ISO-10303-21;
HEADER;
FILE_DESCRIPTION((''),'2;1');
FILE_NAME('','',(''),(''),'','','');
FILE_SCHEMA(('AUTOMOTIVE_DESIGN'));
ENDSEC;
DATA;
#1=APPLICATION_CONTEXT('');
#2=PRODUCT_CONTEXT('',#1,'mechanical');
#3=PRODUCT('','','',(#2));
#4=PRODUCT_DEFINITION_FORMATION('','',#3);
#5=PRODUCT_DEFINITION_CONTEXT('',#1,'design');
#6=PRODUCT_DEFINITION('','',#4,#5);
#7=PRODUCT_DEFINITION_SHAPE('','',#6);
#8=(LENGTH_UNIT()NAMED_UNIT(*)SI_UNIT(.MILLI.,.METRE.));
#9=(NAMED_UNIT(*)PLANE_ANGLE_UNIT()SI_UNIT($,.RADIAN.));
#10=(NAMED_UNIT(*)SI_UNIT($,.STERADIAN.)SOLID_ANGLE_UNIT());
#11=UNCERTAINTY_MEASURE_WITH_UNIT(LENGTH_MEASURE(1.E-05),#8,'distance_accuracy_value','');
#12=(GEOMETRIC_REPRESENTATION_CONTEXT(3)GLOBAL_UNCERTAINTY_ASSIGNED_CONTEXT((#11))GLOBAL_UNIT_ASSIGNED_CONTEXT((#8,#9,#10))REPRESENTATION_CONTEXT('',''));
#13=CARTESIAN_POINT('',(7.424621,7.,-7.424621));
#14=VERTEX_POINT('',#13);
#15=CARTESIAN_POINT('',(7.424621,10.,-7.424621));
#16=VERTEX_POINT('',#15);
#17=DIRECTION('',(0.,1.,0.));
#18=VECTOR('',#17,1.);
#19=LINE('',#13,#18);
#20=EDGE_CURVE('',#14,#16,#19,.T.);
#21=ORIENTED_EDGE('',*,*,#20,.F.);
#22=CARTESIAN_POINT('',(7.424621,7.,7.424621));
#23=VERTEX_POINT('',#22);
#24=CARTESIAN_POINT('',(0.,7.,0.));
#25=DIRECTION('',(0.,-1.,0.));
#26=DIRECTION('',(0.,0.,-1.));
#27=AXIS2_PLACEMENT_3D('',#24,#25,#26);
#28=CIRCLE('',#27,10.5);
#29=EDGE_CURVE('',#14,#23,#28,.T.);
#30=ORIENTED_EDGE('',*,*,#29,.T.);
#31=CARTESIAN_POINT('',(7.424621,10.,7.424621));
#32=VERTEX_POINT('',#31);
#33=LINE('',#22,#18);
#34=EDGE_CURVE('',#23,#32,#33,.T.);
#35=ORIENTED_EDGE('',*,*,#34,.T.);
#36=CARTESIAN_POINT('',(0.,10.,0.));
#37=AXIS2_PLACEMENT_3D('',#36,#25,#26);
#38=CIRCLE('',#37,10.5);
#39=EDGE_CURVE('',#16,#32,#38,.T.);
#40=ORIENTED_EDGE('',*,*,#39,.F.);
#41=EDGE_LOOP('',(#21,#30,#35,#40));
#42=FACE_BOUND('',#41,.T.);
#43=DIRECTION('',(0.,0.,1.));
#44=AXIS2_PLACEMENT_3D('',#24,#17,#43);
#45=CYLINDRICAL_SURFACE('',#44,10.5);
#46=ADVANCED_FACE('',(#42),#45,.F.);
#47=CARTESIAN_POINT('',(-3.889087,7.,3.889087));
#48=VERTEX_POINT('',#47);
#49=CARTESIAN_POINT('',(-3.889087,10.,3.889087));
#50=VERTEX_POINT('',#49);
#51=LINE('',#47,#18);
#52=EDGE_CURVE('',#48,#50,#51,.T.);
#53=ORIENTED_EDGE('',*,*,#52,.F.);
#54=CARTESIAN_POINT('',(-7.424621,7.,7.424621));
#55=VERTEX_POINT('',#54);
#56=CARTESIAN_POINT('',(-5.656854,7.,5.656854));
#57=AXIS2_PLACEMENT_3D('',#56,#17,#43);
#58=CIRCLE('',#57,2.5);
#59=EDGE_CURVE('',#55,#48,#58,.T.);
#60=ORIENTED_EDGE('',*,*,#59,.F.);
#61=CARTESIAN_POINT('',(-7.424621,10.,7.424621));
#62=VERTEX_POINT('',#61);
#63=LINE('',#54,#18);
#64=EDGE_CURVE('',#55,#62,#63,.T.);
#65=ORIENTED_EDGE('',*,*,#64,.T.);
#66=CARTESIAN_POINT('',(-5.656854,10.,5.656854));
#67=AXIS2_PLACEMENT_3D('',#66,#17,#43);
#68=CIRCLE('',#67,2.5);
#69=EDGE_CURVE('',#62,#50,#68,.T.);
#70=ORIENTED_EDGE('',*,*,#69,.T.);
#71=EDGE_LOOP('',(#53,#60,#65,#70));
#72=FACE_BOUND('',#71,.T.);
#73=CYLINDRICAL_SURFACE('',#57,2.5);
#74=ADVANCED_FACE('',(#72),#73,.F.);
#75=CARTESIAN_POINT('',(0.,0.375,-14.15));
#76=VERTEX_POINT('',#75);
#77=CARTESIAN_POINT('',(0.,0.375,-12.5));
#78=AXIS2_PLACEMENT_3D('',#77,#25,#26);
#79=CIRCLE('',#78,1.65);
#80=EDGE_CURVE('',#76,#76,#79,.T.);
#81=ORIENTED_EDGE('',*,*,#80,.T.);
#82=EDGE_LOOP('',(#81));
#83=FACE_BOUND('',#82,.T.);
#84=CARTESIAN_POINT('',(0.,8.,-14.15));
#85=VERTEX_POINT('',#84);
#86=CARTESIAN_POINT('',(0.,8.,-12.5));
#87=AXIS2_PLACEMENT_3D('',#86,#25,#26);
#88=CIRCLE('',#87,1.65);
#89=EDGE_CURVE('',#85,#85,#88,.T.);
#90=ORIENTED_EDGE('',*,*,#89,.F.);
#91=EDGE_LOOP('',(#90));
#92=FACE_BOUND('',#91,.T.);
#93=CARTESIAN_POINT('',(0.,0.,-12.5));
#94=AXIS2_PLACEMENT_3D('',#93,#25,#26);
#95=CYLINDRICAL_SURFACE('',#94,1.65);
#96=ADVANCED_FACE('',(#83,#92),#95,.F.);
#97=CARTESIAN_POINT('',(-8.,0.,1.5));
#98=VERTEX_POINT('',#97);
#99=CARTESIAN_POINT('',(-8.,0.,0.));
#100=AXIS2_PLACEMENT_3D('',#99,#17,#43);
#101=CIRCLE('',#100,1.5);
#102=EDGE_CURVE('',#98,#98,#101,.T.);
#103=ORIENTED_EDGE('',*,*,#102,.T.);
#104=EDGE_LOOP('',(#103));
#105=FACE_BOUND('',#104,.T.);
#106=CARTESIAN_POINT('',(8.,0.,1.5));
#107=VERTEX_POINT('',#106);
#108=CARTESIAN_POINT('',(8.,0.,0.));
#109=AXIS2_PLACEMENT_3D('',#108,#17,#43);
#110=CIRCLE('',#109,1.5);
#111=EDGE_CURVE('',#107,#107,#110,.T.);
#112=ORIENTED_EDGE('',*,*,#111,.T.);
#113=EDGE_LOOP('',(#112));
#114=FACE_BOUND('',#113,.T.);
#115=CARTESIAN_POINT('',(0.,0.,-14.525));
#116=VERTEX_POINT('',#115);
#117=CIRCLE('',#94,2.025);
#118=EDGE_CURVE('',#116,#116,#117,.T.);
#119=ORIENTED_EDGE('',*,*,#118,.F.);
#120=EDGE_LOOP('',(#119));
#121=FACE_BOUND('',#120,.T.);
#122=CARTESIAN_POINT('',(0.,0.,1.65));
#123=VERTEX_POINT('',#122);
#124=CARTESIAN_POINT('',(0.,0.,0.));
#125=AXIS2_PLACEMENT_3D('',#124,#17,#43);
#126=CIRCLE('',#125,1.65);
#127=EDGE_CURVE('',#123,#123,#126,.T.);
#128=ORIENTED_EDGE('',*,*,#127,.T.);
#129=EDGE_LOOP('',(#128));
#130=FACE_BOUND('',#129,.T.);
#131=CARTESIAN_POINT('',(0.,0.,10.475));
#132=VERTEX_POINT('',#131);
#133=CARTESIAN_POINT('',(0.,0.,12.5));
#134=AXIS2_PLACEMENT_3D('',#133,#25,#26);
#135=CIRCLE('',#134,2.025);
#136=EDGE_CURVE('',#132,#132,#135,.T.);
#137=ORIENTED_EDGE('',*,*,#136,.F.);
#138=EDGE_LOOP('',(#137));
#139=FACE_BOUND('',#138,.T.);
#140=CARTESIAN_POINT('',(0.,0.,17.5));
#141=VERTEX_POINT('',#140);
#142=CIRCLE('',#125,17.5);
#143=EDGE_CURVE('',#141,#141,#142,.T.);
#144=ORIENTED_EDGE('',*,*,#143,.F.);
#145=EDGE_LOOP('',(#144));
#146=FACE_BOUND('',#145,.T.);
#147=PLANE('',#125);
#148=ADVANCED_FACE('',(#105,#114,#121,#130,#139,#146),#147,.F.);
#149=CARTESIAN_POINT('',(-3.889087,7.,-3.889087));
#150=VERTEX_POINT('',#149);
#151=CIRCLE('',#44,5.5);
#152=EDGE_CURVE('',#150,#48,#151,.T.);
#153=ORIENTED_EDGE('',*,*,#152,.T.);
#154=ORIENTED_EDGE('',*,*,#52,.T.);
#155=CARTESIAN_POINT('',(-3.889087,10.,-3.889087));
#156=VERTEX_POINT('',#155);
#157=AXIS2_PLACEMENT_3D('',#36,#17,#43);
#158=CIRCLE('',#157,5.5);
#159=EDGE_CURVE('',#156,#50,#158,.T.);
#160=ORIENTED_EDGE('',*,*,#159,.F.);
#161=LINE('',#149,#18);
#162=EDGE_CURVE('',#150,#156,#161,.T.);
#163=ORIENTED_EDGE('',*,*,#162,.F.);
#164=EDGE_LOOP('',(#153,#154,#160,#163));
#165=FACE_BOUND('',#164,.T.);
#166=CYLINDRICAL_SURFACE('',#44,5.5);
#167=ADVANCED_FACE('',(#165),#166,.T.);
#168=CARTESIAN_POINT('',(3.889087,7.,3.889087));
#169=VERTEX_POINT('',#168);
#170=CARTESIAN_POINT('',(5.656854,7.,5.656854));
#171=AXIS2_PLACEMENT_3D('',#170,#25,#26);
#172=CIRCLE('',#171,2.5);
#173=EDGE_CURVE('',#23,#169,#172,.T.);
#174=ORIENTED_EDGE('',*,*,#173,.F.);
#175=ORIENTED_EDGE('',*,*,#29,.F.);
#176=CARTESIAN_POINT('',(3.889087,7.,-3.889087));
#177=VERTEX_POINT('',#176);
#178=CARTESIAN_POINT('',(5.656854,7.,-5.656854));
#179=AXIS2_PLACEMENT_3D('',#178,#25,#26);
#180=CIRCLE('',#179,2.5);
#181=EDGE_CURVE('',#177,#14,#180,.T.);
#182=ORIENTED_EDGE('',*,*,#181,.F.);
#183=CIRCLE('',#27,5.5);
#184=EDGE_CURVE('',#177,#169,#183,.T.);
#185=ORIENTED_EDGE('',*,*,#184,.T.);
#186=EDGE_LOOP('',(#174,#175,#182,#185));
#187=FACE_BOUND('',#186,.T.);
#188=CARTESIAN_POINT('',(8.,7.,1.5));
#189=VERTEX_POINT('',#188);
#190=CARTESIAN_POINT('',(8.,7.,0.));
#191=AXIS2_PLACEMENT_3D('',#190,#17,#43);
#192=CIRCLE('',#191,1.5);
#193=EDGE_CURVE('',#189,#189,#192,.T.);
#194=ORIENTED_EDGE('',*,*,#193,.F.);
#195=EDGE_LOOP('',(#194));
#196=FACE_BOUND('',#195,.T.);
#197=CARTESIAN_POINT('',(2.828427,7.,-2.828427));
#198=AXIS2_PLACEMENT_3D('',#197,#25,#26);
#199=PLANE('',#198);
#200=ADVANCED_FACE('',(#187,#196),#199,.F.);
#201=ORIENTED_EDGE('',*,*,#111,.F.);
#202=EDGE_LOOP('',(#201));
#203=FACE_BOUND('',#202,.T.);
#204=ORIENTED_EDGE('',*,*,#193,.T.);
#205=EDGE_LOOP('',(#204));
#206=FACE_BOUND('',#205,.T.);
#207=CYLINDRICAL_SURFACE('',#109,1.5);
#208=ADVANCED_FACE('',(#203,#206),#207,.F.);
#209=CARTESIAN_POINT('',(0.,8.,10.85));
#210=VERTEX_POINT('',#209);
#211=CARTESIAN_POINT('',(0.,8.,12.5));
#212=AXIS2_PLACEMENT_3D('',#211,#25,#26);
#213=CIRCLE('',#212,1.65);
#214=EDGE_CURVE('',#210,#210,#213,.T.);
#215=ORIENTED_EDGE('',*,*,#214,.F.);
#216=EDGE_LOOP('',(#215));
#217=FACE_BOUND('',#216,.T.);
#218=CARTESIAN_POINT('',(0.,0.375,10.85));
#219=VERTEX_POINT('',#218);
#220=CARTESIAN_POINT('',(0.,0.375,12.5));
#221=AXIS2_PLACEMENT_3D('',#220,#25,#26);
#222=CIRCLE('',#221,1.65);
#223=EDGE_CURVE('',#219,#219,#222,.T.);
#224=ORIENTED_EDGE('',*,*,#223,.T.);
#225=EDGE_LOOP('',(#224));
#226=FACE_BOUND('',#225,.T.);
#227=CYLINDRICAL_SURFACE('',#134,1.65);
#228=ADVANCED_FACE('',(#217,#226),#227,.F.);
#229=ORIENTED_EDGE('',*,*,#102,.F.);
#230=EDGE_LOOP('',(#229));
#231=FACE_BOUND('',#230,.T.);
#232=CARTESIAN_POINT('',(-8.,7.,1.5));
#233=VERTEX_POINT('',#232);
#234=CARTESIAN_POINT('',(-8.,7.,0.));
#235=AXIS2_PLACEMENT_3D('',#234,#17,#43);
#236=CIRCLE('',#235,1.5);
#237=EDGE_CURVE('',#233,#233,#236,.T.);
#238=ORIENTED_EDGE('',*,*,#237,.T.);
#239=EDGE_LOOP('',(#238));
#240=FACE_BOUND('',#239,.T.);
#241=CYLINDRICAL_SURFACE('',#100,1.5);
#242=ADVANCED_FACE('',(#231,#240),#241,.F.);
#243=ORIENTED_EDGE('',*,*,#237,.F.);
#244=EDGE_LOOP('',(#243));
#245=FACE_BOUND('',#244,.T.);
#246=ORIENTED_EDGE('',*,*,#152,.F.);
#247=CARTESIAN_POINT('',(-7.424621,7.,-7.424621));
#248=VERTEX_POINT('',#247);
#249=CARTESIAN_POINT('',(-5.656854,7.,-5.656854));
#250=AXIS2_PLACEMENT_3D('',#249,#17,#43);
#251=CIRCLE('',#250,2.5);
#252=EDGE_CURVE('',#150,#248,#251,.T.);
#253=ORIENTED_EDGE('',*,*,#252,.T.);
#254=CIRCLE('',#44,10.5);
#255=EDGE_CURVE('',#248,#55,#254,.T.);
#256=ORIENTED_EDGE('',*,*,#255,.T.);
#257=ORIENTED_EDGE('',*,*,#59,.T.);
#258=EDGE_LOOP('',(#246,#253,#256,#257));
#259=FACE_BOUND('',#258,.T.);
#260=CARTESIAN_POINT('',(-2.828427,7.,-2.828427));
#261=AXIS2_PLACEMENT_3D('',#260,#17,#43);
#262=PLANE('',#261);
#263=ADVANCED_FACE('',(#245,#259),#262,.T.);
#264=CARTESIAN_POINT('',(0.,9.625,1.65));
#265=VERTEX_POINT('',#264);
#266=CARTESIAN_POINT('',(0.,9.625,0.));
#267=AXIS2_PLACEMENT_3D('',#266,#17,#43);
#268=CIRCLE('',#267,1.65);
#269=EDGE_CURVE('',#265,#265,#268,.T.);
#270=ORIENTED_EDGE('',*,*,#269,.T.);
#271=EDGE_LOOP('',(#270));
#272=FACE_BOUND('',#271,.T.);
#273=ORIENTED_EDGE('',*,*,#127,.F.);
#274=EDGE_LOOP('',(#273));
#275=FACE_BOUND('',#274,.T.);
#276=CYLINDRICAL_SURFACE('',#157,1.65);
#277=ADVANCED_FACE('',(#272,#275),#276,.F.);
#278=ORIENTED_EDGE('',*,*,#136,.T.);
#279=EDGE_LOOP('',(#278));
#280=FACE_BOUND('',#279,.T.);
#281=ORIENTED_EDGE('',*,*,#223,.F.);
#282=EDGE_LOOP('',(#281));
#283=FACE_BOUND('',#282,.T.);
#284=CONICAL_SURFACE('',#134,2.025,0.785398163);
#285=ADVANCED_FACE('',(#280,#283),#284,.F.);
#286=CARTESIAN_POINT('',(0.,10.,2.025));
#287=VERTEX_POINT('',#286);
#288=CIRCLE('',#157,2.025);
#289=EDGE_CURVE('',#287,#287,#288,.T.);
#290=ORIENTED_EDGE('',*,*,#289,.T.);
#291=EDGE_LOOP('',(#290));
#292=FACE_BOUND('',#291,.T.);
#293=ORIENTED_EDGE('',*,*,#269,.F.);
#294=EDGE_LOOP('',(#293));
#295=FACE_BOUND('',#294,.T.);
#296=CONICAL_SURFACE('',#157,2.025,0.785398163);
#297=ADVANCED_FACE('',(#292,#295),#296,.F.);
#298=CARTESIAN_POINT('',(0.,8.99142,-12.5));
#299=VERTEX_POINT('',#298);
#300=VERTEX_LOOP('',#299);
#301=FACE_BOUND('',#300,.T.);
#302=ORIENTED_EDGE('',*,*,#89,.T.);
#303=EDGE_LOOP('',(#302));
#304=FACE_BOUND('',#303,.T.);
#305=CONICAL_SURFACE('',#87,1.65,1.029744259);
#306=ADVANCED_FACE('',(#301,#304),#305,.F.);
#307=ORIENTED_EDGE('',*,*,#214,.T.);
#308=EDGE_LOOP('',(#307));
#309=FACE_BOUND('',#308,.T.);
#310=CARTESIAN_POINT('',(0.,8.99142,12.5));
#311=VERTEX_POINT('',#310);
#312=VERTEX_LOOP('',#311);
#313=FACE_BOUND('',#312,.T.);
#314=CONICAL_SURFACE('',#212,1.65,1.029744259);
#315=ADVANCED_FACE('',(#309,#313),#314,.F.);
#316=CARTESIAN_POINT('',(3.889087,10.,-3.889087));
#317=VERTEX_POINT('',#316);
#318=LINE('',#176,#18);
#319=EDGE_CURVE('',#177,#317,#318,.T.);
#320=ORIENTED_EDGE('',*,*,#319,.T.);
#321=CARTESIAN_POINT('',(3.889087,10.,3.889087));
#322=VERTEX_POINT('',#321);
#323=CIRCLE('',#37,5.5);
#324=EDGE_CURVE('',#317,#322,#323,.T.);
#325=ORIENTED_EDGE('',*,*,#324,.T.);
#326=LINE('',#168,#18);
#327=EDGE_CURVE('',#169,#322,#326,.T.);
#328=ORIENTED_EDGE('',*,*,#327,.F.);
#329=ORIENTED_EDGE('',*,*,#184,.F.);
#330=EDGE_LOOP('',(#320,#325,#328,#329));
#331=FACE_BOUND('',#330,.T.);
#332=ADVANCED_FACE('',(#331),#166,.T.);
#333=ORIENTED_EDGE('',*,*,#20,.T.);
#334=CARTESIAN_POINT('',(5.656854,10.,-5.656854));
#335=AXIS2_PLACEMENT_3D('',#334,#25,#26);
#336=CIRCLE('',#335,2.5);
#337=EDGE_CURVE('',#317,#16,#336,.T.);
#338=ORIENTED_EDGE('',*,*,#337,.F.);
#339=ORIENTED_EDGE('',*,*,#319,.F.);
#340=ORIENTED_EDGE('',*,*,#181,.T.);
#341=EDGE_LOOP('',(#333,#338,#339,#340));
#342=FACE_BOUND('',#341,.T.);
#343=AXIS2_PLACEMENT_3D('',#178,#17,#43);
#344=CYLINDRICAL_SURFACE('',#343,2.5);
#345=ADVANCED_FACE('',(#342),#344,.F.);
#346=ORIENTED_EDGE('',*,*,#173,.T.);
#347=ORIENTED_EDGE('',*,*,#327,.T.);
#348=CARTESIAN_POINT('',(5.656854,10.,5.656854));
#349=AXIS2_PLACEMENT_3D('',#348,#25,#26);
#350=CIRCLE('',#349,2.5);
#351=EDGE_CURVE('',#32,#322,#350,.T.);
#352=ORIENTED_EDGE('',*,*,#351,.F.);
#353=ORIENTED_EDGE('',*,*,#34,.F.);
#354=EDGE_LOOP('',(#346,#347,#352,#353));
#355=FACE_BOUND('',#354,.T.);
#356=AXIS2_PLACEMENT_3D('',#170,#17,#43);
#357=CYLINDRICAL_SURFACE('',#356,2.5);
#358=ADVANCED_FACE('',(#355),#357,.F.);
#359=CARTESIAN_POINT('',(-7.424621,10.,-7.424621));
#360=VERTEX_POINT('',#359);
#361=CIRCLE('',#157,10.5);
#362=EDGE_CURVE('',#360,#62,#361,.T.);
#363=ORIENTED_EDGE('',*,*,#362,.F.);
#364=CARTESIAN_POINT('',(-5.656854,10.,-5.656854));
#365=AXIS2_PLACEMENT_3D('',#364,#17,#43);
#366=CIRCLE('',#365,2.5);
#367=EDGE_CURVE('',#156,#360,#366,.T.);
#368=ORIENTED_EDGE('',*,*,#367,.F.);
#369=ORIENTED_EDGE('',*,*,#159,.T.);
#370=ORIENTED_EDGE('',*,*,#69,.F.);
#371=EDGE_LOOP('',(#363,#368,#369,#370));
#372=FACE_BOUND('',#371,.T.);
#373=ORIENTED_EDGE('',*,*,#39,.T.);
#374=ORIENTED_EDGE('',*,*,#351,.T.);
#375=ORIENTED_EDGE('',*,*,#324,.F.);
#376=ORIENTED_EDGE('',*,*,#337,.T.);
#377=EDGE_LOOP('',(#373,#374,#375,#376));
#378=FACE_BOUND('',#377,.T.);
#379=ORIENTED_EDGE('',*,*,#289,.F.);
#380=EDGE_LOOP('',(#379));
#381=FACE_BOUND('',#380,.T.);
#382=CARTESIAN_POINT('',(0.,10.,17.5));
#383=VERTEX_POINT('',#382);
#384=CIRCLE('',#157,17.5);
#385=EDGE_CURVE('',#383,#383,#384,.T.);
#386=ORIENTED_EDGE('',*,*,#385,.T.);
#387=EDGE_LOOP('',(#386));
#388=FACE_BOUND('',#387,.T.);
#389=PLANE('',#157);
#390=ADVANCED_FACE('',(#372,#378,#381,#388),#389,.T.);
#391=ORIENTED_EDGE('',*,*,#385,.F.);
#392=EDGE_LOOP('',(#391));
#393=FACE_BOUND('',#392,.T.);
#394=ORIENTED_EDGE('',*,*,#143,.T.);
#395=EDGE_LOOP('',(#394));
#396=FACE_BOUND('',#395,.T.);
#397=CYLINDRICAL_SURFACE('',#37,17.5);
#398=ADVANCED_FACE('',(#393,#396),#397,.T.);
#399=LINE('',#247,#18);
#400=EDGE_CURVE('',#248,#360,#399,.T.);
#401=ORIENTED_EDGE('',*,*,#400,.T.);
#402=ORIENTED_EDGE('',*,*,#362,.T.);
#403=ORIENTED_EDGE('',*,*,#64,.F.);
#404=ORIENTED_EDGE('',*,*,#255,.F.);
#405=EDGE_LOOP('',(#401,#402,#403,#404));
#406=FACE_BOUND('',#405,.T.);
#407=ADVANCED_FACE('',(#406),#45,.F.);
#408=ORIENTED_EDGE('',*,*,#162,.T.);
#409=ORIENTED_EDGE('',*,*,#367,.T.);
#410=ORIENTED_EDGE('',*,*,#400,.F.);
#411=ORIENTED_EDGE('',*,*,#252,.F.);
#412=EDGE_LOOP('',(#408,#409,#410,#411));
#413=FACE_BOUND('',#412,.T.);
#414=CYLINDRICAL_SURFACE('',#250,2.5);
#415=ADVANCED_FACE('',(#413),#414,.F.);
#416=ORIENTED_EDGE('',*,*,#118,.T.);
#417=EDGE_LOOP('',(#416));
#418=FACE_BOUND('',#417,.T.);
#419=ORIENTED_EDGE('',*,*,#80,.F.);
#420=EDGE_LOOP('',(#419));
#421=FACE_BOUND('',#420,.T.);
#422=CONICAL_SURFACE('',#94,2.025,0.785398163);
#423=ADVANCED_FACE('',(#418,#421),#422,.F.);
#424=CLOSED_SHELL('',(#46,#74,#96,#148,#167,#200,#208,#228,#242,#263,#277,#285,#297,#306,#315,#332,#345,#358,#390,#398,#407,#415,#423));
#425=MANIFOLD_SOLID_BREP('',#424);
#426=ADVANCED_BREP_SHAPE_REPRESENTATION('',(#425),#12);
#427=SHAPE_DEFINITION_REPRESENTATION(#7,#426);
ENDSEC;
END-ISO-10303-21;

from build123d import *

# Parameters (mm, degrees)
IZIM1_R                     = 17.5
Y_KSEKLIK_EKSTR_ZYON1_DEPTH = 10
KES_EKSTR_ZYON1_DEPTH       = 3
M4_DI_LI_DELIK1_D           = 3.3
M4_DI_LI_DELIK1_DEPTH       = 8
M4_DI_LI_DELIK1_CSINK_D     = 4.05
M4_DI_LI_DELIK1_CSINK_ANGLE = 90
M4_DI_LI_DELIK1_TIP         = 0.991420021
M4_DI_LI_DELIK2_D           = 3.3
M4_DI_LI_DELIK2_CSINK_D     = 4.05
M4_DI_LI_DELIK2_CSINK_ANGLE = 90
IZIM10_R                    = 1.5
KES_EKSTR_ZYON3_DEPTH       = 26.719642299


with BuildPart() as part:
    # Çizim1 → Yükseklik-Ekstrüzyon1 (new body)
    with BuildSketch(Plane(origin=(0, 0, 0), x_dir=(1, 0, 0), z_dir=(0, 1, 0))):
        with Locations(Location((0, 0, 0), (0, 0, 270))):
            Circle(IZIM1_R)
    extrude(amount=Y_KSEKLIK_EKSTR_ZYON1_DEPTH)

    # Çizim2 → Kes-Ekstrüzyon1 (cut)
    with BuildSketch(Plane(origin=(0, 10, 0), x_dir=(1, 0, 0), z_dir=(0, 1, 0))):
        with BuildLine():
            ThreePointArc((-7.424621202, 7.424621202), (-10.5, 0), (-7.424621202, -7.424621202))
            ThreePointArc((-7.424621202, -7.424621202), (-3.889087297, -7.424621202), (-3.889087297, -3.889087297))
            ThreePointArc((-3.889087297, -3.889087297), (-5.5, 0), (-3.889087297, 3.889087297))
            ThreePointArc((-3.889087297, 3.889087297), (-3.889087297, 7.424621202), (-7.424621202, 7.424621202))
        make_face()
        with BuildLine():
            ThreePointArc((7.424621202, 7.424621202), (10.5, 0), (7.424621202, -7.424621202))
            ThreePointArc((7.424621202, -7.424621202), (3.889087297, -7.424621202), (3.889087297, -3.889087297))
            ThreePointArc((3.889087297, -3.889087297), (5.5, 0), (3.889087297, 3.889087297))
            ThreePointArc((3.889087297, 3.889087297), (3.889087297, 7.424621202), (7.424621202, 7.424621202))
        make_face()
    extrude(amount=-KES_EKSTR_ZYON1_DEPTH, mode=Mode.SUBTRACT)

    # M4 Dişli Delik1
    with Locations(Plane(origin=(0, 0, 0), x_dir=(-1, 0, 0), z_dir=(0, -1, 0))):
        with Locations((0, -12.5), (0, 12.5)):
            CounterSinkHole(M4_DI_LI_DELIK1_D / 2, M4_DI_LI_DELIK1_CSINK_D / 2, depth=M4_DI_LI_DELIK1_DEPTH, counter_sink_angle=M4_DI_LI_DELIK1_CSINK_ANGLE)
            with Locations((0, 0, -(M4_DI_LI_DELIK1_DEPTH + M4_DI_LI_DELIK1_TIP / 2))):  # 118° drill point
                Cone(0, M4_DI_LI_DELIK1_D / 2, M4_DI_LI_DELIK1_TIP, mode=Mode.SUBTRACT)

    # M4 Dişli Delik2 (through all)
    with Locations(Plane(origin=(0, 10, 0), x_dir=(1, 0, 0), z_dir=(0, 1, 0))):
        with Locations((0, 0)):
            CounterSinkHole(M4_DI_LI_DELIK2_D / 2, M4_DI_LI_DELIK2_CSINK_D / 2, counter_sink_angle=M4_DI_LI_DELIK2_CSINK_ANGLE)

    # Çizim10 → Kes-Ekstrüzyon3 (cut, through all)
    with BuildSketch(Plane(origin=(0, 7, 0), x_dir=(1, 0, 0), z_dir=(0, 1, 0))):
        with Locations(Location((-8, 0, 0), (0, 0, 270))):
            Circle(IZIM10_R)
        with Locations(Location((8, 0, 0), (0, 0, 270))):
            Circle(IZIM10_R)
    extrude(amount=-KES_EKSTR_ZYON3_DEPTH, mode=Mode.SUBTRACT)


solid = part.part
